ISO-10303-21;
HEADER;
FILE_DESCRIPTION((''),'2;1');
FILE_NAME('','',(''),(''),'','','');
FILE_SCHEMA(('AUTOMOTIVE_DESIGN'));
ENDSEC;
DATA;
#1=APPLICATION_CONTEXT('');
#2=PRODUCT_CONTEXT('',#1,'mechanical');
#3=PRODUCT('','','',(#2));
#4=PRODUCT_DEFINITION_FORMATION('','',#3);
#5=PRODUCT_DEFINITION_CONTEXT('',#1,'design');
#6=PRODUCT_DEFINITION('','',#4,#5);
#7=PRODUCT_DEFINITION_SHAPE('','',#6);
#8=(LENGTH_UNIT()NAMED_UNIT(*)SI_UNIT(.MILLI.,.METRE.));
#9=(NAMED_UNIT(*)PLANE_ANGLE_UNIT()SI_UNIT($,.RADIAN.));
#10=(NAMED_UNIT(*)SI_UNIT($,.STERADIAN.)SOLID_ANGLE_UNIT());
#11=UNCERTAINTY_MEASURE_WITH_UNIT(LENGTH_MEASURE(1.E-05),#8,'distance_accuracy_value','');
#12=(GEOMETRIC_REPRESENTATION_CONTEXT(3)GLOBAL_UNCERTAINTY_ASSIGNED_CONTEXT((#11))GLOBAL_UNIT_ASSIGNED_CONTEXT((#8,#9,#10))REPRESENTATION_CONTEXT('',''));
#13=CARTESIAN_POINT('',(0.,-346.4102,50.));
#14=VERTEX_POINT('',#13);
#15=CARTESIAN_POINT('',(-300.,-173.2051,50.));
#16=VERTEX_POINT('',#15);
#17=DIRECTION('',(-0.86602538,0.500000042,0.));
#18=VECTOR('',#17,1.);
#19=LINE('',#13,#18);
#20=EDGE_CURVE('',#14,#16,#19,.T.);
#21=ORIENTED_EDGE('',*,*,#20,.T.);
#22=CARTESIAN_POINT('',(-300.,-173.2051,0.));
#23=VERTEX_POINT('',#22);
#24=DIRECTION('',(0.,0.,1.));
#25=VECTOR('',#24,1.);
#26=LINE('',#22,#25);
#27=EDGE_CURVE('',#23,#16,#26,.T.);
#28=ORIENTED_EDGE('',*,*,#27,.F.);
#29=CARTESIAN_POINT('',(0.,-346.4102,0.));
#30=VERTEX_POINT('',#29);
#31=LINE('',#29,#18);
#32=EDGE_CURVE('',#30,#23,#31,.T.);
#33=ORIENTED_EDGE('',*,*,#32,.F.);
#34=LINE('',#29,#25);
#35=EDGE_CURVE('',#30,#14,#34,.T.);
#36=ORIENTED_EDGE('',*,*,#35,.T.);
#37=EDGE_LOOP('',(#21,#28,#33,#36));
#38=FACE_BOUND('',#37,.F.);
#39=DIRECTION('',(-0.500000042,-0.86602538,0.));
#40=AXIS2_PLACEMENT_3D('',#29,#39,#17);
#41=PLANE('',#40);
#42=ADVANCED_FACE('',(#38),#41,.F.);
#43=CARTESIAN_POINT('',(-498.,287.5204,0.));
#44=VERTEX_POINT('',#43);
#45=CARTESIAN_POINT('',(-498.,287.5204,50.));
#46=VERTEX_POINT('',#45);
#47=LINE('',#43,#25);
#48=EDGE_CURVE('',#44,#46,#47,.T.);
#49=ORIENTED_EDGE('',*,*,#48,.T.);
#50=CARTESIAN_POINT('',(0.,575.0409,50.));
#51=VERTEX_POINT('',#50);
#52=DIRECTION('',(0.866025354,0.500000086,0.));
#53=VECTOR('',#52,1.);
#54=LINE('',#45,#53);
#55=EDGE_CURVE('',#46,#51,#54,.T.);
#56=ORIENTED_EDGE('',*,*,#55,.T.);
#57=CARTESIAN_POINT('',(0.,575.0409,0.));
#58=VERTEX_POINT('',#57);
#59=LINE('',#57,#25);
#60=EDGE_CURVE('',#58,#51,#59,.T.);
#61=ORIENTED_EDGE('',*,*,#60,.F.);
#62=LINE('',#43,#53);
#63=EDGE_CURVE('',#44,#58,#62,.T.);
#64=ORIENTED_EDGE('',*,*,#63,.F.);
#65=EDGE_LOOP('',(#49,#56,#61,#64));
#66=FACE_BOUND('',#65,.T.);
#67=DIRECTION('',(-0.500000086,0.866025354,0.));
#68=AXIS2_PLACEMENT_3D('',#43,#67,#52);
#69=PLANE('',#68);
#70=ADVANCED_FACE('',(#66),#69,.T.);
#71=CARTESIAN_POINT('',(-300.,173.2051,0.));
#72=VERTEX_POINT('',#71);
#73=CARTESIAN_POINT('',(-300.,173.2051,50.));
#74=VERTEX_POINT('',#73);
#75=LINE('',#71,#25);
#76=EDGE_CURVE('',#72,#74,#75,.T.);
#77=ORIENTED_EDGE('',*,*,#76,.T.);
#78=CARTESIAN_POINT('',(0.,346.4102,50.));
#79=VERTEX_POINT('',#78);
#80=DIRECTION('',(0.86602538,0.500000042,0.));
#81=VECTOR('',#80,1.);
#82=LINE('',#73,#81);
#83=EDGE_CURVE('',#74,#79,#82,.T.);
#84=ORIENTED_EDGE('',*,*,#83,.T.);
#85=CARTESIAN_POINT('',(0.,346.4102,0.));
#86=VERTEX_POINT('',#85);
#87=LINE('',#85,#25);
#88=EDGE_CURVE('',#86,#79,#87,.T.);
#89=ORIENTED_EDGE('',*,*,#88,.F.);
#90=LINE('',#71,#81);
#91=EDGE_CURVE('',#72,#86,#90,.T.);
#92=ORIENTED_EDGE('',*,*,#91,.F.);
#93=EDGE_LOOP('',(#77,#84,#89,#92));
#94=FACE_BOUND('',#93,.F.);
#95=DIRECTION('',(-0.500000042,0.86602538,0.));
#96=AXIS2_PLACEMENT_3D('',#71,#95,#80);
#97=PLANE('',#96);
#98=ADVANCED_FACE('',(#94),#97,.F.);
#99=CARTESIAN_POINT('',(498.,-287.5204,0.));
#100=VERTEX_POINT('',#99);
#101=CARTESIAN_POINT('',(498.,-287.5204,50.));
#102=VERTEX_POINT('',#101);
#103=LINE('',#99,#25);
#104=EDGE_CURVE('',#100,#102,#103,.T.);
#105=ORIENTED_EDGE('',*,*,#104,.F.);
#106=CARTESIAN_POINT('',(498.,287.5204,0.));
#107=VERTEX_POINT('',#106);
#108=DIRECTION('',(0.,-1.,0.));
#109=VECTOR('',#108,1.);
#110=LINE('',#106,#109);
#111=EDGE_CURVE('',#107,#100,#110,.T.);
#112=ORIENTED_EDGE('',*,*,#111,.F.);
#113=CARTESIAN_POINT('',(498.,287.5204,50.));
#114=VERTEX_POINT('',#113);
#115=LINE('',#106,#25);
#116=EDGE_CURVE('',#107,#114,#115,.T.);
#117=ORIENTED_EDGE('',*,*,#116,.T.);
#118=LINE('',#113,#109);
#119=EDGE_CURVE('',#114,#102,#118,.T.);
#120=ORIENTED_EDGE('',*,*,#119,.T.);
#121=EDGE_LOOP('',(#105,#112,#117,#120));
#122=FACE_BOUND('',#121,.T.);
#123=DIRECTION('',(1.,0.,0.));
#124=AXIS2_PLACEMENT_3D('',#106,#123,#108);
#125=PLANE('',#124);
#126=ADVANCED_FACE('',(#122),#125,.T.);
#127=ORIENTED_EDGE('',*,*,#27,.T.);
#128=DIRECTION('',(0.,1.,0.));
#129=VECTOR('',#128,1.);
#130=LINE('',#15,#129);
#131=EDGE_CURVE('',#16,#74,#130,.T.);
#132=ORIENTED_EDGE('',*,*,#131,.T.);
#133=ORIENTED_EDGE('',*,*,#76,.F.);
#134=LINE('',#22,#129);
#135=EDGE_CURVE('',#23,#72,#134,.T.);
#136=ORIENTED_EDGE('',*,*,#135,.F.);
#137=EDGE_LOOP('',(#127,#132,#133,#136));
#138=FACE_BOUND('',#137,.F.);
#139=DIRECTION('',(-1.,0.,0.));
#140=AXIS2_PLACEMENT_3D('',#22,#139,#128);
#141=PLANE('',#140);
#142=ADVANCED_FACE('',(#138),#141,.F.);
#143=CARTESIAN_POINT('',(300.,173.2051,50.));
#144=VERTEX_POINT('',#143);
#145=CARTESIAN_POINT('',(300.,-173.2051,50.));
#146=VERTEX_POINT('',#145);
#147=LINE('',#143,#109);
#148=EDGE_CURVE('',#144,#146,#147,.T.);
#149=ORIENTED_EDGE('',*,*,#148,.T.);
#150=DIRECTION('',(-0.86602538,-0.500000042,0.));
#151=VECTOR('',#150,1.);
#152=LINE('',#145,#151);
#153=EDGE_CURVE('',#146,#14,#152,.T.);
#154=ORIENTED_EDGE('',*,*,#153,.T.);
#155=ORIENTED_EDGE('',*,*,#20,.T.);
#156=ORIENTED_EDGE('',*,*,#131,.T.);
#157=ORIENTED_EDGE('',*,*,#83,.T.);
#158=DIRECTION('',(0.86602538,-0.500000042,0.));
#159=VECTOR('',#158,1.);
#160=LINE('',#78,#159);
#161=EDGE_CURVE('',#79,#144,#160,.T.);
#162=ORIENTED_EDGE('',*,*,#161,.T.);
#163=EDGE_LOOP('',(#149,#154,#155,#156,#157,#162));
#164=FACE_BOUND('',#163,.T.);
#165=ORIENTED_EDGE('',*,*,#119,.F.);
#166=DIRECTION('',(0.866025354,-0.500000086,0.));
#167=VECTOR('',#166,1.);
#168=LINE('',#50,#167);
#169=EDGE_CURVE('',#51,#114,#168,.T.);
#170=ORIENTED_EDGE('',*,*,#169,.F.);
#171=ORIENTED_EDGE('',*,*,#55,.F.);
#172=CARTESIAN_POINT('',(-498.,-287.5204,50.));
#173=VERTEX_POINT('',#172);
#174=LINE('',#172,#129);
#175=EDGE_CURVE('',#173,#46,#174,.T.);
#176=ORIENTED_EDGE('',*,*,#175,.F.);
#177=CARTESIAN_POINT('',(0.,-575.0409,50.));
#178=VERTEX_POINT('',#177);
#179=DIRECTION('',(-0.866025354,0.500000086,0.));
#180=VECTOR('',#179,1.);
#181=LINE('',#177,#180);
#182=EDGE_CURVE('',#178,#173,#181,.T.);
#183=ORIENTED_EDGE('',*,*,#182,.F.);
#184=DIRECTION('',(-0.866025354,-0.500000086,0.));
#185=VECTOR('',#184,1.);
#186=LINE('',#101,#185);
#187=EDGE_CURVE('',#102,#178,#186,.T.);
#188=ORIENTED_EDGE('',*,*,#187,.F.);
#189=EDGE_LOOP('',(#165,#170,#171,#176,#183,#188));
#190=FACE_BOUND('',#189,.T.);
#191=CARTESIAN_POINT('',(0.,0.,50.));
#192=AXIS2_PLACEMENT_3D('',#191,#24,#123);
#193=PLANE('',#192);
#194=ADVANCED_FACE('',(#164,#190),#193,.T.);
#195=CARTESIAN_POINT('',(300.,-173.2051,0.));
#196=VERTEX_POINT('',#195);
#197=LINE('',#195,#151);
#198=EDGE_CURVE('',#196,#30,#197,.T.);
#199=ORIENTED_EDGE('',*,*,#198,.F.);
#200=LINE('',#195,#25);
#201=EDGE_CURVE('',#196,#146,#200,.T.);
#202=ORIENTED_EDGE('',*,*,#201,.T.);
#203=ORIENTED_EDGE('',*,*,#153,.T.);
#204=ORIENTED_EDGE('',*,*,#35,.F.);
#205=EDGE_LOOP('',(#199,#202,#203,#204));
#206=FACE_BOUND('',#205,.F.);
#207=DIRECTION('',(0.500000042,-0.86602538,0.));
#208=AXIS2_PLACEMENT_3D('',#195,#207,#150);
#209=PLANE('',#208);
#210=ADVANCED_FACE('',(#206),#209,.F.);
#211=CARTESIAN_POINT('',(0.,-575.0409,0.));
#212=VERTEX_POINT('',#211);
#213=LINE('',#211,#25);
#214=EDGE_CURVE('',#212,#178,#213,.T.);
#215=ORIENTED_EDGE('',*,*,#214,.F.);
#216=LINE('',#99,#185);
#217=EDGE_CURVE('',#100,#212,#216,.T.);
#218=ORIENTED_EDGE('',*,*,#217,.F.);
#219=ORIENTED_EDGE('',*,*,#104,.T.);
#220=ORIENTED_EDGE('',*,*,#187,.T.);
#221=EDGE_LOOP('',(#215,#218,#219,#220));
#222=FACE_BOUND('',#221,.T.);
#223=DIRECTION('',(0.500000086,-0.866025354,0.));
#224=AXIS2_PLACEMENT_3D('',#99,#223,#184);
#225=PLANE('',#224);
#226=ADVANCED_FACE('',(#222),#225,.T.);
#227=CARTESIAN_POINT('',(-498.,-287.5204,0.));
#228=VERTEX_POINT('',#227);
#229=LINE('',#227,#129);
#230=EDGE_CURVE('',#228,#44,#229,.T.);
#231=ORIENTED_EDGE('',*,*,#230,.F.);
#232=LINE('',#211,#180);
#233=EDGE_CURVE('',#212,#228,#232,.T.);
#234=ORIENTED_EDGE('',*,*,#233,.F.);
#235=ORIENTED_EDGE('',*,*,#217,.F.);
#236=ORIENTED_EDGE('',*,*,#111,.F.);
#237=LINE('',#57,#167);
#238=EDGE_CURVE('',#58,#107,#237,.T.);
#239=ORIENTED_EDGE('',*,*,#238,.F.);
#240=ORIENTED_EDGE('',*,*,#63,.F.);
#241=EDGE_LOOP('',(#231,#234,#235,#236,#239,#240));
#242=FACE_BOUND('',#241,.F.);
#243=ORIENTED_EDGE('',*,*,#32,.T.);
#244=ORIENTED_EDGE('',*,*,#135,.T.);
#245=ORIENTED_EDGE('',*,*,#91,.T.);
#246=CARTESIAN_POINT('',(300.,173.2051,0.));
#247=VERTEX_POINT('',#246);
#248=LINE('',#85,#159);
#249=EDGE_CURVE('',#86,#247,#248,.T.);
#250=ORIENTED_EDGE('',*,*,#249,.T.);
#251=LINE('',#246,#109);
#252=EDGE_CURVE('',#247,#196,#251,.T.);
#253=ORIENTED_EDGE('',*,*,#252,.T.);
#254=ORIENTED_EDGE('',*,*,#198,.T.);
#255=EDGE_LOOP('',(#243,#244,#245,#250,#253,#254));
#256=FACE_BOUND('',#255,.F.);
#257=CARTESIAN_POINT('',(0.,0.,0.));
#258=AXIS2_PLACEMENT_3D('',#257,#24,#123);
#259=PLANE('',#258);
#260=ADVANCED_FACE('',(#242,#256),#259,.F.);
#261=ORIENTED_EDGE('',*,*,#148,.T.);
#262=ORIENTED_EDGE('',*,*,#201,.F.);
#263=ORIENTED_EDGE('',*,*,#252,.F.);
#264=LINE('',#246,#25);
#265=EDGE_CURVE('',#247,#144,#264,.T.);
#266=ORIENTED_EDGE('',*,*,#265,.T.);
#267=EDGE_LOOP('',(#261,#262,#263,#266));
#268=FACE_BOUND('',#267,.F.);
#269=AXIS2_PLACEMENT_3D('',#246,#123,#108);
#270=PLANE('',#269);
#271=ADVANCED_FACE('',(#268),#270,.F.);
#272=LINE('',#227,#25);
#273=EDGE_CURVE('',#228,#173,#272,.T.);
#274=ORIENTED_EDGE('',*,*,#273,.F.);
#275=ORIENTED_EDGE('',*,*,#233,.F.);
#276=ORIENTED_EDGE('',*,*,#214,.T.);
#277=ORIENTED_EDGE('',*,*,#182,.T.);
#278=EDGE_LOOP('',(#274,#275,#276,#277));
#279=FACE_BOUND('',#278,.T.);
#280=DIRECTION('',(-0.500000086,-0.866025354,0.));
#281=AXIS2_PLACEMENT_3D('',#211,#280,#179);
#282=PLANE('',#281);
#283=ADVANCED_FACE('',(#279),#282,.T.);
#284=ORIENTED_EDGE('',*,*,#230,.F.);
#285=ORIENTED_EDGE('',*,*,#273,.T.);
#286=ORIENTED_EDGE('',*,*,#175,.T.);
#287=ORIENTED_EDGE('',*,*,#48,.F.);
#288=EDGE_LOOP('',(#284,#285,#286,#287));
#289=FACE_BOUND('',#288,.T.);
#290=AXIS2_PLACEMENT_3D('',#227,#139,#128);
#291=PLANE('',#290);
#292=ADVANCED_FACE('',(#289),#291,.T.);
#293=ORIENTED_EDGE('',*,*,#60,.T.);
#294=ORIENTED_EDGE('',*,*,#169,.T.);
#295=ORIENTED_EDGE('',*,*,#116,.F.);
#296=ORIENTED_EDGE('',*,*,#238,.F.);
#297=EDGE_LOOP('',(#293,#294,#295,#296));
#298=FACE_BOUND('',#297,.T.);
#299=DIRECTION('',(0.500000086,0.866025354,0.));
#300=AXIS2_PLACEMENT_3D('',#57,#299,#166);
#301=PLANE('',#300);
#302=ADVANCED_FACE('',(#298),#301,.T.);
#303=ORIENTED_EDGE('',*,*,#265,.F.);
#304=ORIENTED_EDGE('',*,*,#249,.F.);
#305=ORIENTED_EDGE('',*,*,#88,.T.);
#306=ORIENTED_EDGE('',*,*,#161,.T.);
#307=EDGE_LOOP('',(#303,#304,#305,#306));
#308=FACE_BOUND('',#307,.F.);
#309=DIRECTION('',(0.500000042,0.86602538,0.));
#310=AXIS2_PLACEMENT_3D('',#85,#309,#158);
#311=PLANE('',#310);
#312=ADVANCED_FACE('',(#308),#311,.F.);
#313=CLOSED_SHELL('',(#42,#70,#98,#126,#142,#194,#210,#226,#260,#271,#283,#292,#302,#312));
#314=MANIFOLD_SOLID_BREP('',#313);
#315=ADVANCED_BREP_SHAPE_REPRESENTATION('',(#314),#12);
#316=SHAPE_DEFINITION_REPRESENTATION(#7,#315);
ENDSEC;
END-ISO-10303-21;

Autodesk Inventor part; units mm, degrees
ref_plane "YZ Plane" through (0, 0, 0) normal (1, 0, 0) x (0, 1, 0)
ref_plane "XZ Plane" through (0, 0, 0) normal (0, 1, 0) x (-1, 0, 0)
ref_plane "XY Plane" through (0, 0, 0) normal (0, 0, 1) x (1, 0, 0)
ref_plane "Work Plane1" through (0, 0, 0) normal (0, 0, 1) x (1, 0, 0)
sketch "Sketch1" plane through (0, 0, 0) normal (0, 0, 1) x (1, 0, 0)
  line L0 (498, -287.5204) -> (0, -575.0409)
  line L1 (0, -575.0409) -> (-498, -287.5204)
  line L2 (-498, -287.5204) -> (-498, 287.5204)
  line L3 (-498, 287.5204) -> (0, 575.0409)
  line L4 (0, 575.0409) -> (498, 287.5204)
  line L5 (498, 287.5204) -> (498, -287.5204)
  line L6 (300, -173.2051) -> (0, -346.4102)
  line L7 (0, -346.4102) -> (-300, -173.2051)
  line L8 (-300, -173.2051) -> (-300, 173.2051)
  line L9 (-300, 173.2051) -> (0, 346.4102)
  line L10 (0, 346.4102) -> (300, 173.2051)
  line L11 (300, 173.2051) -> (300, -173.2051)
  point P0 (0, 0)
  point P1 (0, 0)
  point P2 (0, 0)
  dimension "d0" = 300
  dimension "d1" = 498
extrude "Extrusion1" add sketch "Sketch1" along normal blind 50
properties part number "Electrical" material "Acetal Resin, White"
